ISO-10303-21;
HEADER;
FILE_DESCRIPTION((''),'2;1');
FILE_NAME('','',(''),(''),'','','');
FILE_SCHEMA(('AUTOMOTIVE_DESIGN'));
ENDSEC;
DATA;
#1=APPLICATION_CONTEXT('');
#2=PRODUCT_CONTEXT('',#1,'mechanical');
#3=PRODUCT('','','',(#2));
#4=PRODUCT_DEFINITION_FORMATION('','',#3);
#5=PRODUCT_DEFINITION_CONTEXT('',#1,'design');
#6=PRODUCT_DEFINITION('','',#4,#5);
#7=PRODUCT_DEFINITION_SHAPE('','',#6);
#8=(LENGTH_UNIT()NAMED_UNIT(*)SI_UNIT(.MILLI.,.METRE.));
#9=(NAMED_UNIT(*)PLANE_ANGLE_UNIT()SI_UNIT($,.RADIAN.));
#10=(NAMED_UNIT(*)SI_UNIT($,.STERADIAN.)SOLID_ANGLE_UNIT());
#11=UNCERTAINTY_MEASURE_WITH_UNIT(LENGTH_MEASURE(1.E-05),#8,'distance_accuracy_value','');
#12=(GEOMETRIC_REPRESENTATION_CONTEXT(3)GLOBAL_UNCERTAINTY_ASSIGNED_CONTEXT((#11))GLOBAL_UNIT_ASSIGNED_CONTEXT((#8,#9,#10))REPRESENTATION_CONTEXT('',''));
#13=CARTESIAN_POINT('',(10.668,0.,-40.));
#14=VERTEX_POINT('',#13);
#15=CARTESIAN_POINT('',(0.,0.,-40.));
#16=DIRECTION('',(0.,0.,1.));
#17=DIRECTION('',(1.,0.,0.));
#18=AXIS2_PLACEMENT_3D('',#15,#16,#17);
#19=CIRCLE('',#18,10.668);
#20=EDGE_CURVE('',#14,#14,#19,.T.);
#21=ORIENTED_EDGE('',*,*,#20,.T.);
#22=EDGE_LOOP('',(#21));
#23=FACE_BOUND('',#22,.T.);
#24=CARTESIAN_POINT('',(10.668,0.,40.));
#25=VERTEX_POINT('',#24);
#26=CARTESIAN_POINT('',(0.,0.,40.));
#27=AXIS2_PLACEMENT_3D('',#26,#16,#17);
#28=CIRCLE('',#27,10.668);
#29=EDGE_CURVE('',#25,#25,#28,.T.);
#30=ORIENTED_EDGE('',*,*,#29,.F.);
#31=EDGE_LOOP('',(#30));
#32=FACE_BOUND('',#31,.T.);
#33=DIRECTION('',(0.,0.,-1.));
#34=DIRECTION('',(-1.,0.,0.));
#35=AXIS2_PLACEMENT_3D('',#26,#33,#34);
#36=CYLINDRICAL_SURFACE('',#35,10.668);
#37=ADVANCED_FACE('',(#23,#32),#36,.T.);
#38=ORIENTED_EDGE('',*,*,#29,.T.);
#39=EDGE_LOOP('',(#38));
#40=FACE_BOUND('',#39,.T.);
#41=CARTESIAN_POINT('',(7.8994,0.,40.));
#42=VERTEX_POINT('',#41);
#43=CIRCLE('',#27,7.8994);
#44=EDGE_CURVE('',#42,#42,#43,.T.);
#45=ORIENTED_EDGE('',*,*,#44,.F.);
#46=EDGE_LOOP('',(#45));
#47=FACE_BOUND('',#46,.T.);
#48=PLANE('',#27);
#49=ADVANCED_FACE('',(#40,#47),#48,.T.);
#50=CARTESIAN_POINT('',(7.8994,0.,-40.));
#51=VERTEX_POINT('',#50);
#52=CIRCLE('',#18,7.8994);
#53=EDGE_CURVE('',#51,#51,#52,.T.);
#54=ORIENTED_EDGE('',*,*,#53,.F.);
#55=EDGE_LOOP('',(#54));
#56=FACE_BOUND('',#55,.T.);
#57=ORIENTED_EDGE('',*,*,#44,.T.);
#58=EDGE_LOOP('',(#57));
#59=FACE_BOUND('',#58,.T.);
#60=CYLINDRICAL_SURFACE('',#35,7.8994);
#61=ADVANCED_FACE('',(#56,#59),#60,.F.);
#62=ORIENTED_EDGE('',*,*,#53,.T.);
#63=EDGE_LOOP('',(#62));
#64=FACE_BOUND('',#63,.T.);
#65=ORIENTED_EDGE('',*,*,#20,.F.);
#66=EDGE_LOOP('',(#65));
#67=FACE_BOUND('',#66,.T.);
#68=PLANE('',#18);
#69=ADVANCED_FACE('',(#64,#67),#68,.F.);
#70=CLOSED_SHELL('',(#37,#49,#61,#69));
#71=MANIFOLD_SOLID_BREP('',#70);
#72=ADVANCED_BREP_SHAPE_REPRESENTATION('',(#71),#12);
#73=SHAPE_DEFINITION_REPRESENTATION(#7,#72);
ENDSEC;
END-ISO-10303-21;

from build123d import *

# Parameters (mm, degrees)
SKETCH1_R           = 10.668
SKETCH1_R_2         = 7.8994
EXTRUDE_THIN1_DEPTH = 40


with BuildPart() as part:
    # Sketch1 → Extrude-Thin1 (new body, symmetric)
    with BuildSketch(Plane.XY):
        Circle(SKETCH1_R)
        Circle(SKETCH1_R_2, mode=Mode.SUBTRACT)
    extrude(amount=EXTRUDE_THIN1_DEPTH, both=True)


solid = part.part
